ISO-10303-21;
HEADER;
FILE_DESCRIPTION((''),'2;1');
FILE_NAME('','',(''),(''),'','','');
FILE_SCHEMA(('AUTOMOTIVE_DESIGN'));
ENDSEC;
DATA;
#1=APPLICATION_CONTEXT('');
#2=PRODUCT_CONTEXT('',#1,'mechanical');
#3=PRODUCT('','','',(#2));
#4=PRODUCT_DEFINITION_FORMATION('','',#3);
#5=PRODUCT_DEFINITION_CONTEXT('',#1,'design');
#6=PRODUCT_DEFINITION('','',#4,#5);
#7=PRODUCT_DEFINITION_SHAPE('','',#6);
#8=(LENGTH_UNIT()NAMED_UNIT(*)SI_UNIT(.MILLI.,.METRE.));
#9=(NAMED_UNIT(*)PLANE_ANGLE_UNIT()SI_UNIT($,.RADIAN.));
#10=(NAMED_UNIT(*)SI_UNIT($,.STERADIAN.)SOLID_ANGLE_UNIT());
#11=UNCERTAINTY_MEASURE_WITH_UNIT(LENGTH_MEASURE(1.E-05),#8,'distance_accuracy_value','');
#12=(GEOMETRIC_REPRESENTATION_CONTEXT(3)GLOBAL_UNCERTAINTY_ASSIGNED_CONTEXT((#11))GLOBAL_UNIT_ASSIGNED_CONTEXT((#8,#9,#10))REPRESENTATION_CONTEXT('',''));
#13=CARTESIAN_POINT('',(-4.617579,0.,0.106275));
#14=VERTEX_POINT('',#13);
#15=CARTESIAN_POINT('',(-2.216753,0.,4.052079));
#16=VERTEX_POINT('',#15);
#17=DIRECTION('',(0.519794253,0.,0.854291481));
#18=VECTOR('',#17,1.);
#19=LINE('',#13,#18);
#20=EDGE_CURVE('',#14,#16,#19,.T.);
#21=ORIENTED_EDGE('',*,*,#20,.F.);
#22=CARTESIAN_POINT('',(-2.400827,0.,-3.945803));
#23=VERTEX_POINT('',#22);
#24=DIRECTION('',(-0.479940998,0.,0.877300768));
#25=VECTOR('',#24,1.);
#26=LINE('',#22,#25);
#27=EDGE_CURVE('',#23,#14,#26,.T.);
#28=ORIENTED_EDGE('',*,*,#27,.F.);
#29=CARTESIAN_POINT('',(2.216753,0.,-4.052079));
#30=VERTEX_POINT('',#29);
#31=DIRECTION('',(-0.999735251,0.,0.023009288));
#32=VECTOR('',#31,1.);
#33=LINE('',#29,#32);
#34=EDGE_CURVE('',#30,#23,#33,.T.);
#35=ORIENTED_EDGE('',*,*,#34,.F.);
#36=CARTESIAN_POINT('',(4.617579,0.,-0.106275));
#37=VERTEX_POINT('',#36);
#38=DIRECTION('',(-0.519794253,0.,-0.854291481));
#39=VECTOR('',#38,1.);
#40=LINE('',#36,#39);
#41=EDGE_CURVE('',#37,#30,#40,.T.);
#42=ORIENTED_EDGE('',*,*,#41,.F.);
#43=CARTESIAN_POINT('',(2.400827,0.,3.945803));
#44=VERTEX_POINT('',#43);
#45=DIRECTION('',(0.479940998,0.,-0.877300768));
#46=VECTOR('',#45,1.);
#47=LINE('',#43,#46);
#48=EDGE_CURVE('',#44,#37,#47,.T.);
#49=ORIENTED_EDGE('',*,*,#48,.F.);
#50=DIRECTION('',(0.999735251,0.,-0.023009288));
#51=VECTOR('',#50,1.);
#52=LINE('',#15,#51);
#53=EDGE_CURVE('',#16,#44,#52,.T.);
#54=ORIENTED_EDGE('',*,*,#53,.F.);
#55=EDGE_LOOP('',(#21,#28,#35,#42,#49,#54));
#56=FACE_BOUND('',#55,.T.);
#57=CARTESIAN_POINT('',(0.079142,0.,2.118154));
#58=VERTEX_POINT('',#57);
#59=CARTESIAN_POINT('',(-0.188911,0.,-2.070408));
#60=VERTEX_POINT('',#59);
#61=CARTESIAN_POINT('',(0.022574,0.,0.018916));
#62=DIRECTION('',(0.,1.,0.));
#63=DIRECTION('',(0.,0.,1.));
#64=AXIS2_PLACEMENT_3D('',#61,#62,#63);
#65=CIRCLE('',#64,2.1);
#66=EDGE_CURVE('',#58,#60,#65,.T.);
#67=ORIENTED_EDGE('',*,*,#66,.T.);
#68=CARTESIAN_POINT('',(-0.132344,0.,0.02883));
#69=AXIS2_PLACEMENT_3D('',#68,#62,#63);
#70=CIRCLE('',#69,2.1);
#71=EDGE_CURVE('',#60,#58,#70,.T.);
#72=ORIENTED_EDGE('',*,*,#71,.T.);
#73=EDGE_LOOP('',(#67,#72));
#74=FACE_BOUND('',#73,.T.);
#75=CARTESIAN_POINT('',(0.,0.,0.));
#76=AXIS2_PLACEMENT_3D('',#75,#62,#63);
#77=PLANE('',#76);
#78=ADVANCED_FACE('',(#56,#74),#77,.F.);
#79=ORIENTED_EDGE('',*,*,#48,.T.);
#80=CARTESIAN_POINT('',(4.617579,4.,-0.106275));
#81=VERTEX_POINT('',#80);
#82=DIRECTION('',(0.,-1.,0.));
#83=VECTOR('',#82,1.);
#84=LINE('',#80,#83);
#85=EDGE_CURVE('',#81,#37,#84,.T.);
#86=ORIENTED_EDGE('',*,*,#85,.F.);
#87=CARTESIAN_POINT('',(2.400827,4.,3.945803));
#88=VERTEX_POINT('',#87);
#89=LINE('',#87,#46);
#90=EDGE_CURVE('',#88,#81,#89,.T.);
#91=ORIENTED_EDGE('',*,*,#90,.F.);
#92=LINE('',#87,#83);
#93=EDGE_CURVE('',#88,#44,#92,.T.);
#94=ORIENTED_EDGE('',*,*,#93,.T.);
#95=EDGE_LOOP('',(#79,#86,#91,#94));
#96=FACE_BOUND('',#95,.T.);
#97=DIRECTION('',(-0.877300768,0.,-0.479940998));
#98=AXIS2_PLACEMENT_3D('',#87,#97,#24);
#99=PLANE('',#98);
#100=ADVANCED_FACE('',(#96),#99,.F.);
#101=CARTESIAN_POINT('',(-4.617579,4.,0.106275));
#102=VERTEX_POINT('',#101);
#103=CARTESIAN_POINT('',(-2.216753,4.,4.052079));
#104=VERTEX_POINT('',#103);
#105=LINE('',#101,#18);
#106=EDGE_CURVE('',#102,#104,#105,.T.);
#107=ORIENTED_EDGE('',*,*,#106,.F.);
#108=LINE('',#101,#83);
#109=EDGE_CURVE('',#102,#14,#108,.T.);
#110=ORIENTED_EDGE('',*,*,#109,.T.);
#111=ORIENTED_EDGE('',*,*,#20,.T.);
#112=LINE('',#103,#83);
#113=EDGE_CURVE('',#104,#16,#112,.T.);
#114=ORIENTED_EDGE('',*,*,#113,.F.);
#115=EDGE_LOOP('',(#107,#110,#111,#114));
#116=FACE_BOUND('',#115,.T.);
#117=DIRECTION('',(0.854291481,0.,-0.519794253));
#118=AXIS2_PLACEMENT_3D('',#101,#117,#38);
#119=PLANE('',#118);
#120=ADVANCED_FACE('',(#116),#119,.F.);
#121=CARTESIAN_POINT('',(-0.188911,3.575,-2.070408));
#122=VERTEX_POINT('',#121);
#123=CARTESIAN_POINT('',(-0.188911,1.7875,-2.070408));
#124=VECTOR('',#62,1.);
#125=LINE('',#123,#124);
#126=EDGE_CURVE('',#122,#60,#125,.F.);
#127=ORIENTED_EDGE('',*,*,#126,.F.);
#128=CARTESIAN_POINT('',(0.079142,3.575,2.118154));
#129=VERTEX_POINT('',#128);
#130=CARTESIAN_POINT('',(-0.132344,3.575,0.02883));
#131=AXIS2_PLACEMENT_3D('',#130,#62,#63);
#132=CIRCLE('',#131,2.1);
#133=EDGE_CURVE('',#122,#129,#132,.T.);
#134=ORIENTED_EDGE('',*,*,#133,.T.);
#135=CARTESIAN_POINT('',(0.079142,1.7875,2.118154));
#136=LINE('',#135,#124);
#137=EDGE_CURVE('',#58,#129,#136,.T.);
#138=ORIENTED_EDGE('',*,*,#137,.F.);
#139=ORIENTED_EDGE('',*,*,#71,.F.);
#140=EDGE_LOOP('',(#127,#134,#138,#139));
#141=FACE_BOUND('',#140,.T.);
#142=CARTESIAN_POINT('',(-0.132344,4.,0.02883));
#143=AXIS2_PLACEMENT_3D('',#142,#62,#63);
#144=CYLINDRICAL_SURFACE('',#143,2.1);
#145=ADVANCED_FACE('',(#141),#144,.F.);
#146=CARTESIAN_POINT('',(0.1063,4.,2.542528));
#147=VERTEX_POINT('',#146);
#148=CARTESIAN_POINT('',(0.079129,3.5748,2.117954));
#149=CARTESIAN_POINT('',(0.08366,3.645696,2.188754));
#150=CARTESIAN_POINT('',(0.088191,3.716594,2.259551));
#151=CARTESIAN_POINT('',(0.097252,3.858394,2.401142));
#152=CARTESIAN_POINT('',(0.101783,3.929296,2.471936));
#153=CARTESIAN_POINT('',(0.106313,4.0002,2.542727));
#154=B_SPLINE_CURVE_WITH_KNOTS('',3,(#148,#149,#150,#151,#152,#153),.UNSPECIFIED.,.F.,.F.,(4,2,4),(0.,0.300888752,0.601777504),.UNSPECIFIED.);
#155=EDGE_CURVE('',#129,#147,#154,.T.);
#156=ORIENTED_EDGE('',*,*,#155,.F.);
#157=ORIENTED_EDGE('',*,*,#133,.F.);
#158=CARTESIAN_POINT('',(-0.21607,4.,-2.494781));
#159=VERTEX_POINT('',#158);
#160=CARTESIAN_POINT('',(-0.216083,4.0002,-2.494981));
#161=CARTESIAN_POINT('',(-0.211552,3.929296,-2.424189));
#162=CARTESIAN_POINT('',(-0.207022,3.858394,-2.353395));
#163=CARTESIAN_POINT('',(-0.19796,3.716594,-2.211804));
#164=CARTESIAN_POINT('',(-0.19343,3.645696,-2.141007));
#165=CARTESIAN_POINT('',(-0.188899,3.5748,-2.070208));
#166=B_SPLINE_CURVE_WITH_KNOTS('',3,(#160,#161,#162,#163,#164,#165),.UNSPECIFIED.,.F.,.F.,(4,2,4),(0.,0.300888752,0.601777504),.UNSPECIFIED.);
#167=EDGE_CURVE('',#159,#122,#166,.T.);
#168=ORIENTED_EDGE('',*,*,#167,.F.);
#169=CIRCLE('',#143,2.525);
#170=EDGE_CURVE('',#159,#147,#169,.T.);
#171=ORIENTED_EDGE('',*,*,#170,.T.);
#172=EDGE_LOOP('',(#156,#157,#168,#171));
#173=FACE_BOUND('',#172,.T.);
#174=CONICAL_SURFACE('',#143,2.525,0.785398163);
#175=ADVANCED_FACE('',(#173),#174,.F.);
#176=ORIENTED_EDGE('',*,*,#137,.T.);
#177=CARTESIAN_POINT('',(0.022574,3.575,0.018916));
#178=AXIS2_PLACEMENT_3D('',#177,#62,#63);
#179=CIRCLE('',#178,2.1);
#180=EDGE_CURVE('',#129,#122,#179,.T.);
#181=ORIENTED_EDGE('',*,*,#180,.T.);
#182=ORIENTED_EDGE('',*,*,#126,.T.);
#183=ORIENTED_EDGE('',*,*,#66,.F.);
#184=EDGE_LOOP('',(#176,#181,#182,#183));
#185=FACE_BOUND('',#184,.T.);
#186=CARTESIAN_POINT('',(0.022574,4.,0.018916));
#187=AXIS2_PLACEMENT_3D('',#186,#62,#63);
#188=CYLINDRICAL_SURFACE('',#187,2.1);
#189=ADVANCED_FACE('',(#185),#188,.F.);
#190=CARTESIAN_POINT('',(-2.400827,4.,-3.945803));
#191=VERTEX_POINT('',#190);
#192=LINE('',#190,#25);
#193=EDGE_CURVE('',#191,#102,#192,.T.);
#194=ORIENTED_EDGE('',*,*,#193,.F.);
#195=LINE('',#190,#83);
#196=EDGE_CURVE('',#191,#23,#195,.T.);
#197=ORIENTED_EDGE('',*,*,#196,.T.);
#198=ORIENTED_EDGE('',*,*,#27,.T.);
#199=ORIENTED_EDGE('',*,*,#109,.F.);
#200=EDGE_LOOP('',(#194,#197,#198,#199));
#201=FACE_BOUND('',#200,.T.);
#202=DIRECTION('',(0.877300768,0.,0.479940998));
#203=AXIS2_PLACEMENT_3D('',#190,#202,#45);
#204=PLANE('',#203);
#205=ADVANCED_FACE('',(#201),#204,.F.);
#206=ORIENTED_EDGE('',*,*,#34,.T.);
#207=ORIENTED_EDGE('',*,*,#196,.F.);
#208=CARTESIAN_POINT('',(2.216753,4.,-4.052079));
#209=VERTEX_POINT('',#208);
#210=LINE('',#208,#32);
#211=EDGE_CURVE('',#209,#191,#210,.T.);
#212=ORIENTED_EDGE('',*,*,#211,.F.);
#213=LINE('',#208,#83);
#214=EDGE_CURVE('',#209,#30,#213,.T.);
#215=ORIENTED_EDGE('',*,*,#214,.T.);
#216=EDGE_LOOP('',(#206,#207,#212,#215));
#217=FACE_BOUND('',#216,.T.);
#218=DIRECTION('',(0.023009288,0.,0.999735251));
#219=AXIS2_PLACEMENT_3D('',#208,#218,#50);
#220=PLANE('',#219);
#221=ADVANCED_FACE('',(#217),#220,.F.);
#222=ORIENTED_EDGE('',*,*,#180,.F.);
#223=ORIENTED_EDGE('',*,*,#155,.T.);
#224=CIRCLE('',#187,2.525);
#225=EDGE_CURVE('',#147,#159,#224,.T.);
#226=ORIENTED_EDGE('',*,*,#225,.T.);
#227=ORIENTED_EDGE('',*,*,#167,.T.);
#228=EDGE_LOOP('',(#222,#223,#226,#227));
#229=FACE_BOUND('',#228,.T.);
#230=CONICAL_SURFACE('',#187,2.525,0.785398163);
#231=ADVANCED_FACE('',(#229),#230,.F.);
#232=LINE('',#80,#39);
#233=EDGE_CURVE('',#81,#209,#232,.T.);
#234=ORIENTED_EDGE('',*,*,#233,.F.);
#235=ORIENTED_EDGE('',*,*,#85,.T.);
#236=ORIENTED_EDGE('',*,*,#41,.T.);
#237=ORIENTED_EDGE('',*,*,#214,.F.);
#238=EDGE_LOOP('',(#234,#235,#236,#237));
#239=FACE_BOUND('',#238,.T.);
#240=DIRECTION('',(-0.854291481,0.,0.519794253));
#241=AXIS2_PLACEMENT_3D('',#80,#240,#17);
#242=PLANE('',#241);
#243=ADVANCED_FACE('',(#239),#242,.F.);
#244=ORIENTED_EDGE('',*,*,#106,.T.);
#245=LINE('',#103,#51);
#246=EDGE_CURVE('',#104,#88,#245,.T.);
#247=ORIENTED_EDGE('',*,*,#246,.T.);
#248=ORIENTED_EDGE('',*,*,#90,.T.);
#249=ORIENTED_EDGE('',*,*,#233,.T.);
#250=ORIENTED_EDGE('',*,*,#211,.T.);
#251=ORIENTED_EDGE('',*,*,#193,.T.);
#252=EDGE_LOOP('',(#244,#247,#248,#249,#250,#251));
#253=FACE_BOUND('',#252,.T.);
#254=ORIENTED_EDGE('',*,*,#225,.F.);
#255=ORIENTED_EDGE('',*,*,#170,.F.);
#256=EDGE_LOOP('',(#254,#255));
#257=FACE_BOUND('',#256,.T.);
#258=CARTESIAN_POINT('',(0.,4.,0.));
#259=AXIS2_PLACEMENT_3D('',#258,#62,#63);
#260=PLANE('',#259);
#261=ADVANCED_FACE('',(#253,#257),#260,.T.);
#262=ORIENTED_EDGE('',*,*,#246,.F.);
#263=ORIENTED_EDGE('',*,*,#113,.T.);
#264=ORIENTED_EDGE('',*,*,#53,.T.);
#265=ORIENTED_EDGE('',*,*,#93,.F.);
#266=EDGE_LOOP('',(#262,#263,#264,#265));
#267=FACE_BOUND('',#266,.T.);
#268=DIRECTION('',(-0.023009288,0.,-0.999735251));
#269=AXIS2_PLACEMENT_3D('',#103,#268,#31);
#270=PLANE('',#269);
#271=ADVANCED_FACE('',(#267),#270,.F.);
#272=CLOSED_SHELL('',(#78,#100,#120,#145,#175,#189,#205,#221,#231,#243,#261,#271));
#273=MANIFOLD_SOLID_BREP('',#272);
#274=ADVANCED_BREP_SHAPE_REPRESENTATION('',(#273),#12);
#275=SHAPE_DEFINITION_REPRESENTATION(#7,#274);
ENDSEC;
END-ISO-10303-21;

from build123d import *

# Parameters (mm, degrees)
BOSS_EXTRUDE2_DEPTH         = 4
M5_TAPPED_HOLE3_D           = 4.2
M5_TAPPED_HOLE3_CSINK_D     = 5.05
M5_TAPPED_HOLE3_CSINK_ANGLE = 90


with BuildPart() as part:
    # Sketch8 → Boss-Extrude2 (new body)
    with BuildSketch(Plane(origin=(0, 0, 0), x_dir=(1, 0, 0), z_dir=(0, 1, 0))):
        Polygon((2.400826816, -3.945803332), (4.617579332, 0.106275347), (2.216752516, 4.052078679), (-2.400826816, 3.945803332), (-4.617579332, -0.106275347), (-2.216752516, -4.052078679), align=None)
    extrude(amount=BOSS_EXTRUDE2_DEPTH)

    # M5 Tapped Hole3 (through all)
    with Locations(Plane(origin=(-0.132343684, 4, 0.02883036), x_dir=(0, 0, 1), z_dir=(0, 1, 0))):
        with Locations((0, 0), (-0.009914208, 0.154917862)):
            CounterSinkHole(M5_TAPPED_HOLE3_D / 2, M5_TAPPED_HOLE3_CSINK_D / 2, counter_sink_angle=M5_TAPPED_HOLE3_CSINK_ANGLE)


solid = part.part
